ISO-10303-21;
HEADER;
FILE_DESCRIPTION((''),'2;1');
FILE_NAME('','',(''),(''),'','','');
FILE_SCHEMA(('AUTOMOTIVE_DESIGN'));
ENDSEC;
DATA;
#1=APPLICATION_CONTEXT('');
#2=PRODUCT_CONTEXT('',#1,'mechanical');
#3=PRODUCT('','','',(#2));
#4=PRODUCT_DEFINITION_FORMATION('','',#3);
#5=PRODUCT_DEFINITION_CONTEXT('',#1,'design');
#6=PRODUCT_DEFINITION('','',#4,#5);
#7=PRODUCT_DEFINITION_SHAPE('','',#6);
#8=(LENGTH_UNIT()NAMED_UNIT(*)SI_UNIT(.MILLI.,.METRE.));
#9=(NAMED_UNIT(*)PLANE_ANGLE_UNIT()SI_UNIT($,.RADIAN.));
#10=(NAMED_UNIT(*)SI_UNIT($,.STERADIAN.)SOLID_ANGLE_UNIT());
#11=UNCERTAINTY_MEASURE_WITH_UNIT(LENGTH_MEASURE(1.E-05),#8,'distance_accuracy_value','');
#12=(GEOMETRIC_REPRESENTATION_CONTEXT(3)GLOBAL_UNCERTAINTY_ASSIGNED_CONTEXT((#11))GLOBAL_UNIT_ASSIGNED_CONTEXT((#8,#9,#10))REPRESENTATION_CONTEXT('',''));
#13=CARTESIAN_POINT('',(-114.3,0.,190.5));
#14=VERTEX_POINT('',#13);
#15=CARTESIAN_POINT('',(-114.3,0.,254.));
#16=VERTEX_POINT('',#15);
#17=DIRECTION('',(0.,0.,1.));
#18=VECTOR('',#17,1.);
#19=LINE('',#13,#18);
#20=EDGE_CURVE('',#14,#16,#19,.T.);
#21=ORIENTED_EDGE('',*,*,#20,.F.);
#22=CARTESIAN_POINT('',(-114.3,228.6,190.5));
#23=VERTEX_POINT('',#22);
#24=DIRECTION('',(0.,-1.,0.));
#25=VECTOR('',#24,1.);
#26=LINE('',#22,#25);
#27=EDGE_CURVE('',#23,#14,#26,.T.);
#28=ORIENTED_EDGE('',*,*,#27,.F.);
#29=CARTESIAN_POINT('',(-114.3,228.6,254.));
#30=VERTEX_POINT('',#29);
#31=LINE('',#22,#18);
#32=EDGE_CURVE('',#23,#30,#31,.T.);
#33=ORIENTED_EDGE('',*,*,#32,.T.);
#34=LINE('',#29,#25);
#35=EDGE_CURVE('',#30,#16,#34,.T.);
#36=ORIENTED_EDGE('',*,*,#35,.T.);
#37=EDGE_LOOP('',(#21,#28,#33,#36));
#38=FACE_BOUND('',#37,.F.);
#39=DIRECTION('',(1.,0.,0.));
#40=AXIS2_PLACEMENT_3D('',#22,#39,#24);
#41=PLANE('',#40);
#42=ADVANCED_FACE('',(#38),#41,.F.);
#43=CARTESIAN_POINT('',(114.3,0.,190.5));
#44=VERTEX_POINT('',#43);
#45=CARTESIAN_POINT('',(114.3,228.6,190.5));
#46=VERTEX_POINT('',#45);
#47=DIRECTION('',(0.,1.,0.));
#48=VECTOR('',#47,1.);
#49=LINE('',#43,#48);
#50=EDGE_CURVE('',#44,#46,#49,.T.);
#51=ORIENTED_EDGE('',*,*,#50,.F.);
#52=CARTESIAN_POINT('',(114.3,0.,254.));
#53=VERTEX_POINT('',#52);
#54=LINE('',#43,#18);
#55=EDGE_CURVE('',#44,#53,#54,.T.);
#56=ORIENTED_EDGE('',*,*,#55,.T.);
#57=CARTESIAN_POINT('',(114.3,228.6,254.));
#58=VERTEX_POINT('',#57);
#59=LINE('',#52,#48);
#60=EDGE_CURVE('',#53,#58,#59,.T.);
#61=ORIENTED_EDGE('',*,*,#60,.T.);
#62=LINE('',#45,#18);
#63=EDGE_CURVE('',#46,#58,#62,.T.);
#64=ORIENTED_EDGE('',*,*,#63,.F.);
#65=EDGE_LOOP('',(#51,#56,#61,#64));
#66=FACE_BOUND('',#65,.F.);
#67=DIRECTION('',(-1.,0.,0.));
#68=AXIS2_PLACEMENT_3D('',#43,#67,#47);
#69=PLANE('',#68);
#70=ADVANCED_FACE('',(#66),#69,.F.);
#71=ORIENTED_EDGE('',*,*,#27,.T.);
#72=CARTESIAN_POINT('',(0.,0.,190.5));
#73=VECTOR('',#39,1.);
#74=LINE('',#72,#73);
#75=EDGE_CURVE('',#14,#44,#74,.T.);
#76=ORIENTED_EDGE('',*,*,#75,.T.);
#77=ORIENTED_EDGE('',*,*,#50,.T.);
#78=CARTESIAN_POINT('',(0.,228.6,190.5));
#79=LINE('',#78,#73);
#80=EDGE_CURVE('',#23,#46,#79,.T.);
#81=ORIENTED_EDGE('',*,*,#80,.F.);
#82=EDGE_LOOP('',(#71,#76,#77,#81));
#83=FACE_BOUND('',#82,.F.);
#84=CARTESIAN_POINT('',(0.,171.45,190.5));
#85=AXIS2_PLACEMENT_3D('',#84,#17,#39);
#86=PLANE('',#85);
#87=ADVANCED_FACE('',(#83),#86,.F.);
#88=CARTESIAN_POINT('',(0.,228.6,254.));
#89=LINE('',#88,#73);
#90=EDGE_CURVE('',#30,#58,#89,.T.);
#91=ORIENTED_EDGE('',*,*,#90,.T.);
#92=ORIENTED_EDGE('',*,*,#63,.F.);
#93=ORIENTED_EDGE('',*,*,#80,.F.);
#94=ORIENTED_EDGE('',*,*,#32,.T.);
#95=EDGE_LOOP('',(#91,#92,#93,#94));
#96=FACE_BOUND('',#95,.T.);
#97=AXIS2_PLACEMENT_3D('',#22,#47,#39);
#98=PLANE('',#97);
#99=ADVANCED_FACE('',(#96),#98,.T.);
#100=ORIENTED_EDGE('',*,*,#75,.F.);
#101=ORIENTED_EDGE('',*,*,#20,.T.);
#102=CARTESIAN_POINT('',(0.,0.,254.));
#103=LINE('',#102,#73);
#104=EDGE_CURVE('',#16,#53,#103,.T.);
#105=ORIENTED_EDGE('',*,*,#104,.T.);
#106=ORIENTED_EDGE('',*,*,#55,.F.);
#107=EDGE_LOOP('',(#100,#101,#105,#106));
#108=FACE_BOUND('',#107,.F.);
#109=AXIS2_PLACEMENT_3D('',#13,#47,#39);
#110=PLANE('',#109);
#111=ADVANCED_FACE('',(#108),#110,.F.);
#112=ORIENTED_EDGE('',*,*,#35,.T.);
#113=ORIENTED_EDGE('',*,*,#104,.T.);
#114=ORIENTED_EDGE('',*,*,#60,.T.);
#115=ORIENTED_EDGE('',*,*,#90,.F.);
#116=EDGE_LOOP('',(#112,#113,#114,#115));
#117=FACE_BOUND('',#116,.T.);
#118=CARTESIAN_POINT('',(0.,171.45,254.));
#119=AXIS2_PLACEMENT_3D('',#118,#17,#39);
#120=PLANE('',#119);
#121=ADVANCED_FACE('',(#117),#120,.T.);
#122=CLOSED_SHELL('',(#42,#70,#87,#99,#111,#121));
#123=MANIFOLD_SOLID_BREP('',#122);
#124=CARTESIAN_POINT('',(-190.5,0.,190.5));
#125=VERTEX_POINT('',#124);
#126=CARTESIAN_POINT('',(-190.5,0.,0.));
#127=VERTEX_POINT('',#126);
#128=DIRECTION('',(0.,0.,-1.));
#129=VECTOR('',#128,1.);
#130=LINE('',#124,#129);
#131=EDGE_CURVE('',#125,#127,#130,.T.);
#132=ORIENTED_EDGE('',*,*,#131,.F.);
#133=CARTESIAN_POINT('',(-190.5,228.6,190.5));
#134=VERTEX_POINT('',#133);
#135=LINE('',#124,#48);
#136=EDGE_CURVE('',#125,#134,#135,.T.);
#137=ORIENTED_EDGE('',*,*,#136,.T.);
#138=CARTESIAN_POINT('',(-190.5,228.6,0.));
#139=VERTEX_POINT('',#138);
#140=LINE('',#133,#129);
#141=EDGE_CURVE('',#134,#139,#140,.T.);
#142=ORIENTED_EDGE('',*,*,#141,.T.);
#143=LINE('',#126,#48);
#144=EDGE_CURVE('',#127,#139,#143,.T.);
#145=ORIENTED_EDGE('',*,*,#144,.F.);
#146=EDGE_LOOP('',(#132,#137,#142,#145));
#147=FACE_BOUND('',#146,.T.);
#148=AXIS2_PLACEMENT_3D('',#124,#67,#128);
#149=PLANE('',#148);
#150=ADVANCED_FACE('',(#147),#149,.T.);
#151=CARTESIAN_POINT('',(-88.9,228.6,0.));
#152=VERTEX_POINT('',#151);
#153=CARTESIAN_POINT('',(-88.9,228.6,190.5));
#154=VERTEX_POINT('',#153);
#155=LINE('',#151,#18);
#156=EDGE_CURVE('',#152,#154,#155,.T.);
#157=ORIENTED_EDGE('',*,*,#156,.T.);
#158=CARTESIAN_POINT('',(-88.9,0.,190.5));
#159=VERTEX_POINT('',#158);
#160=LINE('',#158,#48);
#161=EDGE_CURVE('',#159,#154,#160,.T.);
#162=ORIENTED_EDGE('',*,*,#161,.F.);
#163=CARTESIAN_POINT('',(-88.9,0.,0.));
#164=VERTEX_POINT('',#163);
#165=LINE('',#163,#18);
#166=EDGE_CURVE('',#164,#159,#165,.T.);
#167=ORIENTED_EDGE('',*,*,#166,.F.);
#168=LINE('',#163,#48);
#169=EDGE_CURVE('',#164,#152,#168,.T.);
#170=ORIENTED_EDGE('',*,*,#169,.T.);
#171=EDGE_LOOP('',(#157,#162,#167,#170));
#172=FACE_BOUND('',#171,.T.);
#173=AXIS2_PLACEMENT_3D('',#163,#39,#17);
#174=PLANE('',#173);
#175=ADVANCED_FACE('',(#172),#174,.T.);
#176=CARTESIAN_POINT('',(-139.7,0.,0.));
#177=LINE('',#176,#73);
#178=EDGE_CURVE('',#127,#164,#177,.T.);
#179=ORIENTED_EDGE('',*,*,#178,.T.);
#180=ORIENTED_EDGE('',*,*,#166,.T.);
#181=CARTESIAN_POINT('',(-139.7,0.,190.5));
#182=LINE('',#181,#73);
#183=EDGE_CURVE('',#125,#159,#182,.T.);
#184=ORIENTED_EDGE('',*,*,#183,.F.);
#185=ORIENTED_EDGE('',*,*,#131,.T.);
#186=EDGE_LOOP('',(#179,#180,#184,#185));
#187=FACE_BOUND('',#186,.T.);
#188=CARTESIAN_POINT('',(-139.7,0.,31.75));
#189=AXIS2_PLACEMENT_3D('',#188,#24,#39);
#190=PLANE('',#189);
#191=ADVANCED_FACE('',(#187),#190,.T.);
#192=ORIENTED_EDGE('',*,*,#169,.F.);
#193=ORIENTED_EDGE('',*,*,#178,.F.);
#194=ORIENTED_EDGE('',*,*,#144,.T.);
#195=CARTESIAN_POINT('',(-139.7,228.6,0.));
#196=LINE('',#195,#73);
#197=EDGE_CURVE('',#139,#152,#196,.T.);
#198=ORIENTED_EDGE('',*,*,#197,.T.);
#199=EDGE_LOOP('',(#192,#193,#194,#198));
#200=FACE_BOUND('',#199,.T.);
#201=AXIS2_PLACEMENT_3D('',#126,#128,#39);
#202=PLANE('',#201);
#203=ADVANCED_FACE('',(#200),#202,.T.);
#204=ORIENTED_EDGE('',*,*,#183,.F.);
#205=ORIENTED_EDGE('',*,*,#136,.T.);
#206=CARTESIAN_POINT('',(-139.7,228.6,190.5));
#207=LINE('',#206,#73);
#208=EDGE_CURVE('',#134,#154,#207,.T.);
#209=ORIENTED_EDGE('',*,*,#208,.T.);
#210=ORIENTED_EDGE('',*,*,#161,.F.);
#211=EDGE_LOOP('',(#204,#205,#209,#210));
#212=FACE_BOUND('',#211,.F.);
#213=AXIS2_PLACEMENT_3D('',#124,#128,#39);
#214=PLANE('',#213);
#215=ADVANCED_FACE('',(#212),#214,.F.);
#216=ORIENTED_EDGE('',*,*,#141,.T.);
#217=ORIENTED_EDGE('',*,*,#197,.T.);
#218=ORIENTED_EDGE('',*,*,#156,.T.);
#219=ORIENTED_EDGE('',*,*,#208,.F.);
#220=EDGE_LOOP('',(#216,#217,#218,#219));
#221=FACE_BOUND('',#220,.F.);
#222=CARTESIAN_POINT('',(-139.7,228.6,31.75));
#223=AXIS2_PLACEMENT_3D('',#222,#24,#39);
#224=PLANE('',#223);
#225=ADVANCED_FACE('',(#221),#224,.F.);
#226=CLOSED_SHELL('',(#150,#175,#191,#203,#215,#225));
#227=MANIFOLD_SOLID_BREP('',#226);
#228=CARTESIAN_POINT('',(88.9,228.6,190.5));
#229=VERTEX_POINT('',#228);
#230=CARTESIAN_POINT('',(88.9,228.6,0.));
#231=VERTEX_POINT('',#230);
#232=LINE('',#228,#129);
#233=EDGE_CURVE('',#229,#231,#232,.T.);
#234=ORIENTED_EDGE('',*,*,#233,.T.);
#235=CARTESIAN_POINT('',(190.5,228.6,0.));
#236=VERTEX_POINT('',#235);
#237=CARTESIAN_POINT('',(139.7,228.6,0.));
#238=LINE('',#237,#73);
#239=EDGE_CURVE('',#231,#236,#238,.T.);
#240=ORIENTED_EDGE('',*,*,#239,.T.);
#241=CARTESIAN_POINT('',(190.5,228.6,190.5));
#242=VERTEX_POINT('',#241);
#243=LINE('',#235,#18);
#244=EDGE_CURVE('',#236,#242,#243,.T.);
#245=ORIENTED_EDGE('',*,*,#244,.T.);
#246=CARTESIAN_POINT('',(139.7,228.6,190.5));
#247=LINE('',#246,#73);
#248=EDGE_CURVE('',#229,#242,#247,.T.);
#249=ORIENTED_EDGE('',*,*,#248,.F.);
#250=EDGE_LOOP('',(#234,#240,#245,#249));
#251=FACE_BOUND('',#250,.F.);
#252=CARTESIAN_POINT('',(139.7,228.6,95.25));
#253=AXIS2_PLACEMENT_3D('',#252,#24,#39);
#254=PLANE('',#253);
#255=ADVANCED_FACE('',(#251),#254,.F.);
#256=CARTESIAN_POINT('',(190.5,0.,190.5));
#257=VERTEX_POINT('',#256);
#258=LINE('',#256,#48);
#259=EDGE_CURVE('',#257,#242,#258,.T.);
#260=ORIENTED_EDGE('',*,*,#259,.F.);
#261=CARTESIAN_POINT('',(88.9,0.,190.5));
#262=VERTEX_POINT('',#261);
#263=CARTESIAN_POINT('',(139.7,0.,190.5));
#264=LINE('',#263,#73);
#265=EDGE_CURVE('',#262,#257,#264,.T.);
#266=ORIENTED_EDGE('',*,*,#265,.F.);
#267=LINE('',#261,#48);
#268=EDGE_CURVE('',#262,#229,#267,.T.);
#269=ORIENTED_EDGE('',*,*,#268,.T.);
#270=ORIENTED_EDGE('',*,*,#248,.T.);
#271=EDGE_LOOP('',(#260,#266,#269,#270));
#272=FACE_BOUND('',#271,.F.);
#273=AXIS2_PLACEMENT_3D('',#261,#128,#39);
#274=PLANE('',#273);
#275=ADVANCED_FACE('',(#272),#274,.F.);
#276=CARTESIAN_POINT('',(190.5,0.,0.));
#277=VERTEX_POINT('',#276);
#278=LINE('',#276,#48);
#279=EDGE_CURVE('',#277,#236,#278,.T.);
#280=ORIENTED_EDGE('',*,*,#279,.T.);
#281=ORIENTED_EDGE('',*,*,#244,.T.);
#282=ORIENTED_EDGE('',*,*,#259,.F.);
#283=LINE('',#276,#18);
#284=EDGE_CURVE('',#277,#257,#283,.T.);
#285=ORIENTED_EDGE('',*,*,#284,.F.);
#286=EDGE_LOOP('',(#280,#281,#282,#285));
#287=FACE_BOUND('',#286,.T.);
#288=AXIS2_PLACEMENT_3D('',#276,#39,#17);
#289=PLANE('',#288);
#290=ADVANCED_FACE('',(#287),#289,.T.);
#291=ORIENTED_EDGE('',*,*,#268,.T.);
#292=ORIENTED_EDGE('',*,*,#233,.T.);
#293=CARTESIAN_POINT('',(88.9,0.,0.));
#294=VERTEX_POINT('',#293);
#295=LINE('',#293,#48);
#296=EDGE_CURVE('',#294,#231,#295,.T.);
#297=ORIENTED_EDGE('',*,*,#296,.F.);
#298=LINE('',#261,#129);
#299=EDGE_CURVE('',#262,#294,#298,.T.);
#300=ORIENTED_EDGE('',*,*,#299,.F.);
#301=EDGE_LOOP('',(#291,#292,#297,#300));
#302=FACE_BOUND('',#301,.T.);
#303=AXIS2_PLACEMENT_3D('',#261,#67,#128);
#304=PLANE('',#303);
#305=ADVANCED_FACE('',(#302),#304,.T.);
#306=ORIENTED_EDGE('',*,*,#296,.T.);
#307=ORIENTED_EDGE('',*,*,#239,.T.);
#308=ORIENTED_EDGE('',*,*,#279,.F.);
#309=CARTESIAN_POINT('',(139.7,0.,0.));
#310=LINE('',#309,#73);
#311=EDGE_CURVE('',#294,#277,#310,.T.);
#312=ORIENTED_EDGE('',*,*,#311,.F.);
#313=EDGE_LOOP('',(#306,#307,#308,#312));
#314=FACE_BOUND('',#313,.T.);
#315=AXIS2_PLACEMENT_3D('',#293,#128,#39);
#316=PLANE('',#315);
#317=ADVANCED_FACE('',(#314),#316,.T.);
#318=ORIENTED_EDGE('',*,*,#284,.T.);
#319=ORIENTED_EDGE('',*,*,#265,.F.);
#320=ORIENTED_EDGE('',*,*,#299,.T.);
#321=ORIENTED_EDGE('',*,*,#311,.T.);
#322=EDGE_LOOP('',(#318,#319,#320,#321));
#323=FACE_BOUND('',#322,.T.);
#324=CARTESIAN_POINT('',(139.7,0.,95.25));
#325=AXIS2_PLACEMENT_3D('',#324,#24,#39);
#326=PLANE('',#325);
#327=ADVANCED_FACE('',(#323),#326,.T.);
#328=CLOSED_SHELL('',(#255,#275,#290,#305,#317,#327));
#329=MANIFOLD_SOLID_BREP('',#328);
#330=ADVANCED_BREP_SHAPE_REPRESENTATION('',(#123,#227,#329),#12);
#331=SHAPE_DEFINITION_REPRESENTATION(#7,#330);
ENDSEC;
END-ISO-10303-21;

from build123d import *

# Parameters (mm, degrees)
F0_W     = 101.6
F0_H     = 63.5
F1_DEPTH = 228.6
F2_W     = 228.6
F2_H     = 114.3
F3_DEPTH = 63.5


with BuildPart() as f1:
    # F0 (on Front) → F1 (new body)
    with BuildSketch(Plane.XZ):
        with Locations((-139.7, 31.75)):
            Rectangle(F0_W, F0_H)
        with Locations((-139.7, 95.25)):
            Rectangle(F0_W, F0_H)
        with Locations((-139.7, 158.75)):
            Rectangle(F0_W, F0_H)
        with Locations((139.7, 95.25)):
            Rectangle(F0_W, F0_H)
        with Locations((139.7, 158.75)):
            Rectangle(F0_W, F0_H)
        with Locations((139.7, 31.75)):
            Rectangle(F0_W, F0_H)
    extrude(amount=-F1_DEPTH)


with BuildPart() as f3:
    # F2 (on face) → F3 (new body)
    with BuildSketch(Plane.XY.offset(190.5)):
        with Locations((0, 171.45)):
            Rectangle(F2_W, F2_H)
        with Locations((0, 57.15)):
            Rectangle(F2_W, F2_H)
    extrude(amount=F3_DEPTH)


solid = Compound([f1.part, f3.part])
